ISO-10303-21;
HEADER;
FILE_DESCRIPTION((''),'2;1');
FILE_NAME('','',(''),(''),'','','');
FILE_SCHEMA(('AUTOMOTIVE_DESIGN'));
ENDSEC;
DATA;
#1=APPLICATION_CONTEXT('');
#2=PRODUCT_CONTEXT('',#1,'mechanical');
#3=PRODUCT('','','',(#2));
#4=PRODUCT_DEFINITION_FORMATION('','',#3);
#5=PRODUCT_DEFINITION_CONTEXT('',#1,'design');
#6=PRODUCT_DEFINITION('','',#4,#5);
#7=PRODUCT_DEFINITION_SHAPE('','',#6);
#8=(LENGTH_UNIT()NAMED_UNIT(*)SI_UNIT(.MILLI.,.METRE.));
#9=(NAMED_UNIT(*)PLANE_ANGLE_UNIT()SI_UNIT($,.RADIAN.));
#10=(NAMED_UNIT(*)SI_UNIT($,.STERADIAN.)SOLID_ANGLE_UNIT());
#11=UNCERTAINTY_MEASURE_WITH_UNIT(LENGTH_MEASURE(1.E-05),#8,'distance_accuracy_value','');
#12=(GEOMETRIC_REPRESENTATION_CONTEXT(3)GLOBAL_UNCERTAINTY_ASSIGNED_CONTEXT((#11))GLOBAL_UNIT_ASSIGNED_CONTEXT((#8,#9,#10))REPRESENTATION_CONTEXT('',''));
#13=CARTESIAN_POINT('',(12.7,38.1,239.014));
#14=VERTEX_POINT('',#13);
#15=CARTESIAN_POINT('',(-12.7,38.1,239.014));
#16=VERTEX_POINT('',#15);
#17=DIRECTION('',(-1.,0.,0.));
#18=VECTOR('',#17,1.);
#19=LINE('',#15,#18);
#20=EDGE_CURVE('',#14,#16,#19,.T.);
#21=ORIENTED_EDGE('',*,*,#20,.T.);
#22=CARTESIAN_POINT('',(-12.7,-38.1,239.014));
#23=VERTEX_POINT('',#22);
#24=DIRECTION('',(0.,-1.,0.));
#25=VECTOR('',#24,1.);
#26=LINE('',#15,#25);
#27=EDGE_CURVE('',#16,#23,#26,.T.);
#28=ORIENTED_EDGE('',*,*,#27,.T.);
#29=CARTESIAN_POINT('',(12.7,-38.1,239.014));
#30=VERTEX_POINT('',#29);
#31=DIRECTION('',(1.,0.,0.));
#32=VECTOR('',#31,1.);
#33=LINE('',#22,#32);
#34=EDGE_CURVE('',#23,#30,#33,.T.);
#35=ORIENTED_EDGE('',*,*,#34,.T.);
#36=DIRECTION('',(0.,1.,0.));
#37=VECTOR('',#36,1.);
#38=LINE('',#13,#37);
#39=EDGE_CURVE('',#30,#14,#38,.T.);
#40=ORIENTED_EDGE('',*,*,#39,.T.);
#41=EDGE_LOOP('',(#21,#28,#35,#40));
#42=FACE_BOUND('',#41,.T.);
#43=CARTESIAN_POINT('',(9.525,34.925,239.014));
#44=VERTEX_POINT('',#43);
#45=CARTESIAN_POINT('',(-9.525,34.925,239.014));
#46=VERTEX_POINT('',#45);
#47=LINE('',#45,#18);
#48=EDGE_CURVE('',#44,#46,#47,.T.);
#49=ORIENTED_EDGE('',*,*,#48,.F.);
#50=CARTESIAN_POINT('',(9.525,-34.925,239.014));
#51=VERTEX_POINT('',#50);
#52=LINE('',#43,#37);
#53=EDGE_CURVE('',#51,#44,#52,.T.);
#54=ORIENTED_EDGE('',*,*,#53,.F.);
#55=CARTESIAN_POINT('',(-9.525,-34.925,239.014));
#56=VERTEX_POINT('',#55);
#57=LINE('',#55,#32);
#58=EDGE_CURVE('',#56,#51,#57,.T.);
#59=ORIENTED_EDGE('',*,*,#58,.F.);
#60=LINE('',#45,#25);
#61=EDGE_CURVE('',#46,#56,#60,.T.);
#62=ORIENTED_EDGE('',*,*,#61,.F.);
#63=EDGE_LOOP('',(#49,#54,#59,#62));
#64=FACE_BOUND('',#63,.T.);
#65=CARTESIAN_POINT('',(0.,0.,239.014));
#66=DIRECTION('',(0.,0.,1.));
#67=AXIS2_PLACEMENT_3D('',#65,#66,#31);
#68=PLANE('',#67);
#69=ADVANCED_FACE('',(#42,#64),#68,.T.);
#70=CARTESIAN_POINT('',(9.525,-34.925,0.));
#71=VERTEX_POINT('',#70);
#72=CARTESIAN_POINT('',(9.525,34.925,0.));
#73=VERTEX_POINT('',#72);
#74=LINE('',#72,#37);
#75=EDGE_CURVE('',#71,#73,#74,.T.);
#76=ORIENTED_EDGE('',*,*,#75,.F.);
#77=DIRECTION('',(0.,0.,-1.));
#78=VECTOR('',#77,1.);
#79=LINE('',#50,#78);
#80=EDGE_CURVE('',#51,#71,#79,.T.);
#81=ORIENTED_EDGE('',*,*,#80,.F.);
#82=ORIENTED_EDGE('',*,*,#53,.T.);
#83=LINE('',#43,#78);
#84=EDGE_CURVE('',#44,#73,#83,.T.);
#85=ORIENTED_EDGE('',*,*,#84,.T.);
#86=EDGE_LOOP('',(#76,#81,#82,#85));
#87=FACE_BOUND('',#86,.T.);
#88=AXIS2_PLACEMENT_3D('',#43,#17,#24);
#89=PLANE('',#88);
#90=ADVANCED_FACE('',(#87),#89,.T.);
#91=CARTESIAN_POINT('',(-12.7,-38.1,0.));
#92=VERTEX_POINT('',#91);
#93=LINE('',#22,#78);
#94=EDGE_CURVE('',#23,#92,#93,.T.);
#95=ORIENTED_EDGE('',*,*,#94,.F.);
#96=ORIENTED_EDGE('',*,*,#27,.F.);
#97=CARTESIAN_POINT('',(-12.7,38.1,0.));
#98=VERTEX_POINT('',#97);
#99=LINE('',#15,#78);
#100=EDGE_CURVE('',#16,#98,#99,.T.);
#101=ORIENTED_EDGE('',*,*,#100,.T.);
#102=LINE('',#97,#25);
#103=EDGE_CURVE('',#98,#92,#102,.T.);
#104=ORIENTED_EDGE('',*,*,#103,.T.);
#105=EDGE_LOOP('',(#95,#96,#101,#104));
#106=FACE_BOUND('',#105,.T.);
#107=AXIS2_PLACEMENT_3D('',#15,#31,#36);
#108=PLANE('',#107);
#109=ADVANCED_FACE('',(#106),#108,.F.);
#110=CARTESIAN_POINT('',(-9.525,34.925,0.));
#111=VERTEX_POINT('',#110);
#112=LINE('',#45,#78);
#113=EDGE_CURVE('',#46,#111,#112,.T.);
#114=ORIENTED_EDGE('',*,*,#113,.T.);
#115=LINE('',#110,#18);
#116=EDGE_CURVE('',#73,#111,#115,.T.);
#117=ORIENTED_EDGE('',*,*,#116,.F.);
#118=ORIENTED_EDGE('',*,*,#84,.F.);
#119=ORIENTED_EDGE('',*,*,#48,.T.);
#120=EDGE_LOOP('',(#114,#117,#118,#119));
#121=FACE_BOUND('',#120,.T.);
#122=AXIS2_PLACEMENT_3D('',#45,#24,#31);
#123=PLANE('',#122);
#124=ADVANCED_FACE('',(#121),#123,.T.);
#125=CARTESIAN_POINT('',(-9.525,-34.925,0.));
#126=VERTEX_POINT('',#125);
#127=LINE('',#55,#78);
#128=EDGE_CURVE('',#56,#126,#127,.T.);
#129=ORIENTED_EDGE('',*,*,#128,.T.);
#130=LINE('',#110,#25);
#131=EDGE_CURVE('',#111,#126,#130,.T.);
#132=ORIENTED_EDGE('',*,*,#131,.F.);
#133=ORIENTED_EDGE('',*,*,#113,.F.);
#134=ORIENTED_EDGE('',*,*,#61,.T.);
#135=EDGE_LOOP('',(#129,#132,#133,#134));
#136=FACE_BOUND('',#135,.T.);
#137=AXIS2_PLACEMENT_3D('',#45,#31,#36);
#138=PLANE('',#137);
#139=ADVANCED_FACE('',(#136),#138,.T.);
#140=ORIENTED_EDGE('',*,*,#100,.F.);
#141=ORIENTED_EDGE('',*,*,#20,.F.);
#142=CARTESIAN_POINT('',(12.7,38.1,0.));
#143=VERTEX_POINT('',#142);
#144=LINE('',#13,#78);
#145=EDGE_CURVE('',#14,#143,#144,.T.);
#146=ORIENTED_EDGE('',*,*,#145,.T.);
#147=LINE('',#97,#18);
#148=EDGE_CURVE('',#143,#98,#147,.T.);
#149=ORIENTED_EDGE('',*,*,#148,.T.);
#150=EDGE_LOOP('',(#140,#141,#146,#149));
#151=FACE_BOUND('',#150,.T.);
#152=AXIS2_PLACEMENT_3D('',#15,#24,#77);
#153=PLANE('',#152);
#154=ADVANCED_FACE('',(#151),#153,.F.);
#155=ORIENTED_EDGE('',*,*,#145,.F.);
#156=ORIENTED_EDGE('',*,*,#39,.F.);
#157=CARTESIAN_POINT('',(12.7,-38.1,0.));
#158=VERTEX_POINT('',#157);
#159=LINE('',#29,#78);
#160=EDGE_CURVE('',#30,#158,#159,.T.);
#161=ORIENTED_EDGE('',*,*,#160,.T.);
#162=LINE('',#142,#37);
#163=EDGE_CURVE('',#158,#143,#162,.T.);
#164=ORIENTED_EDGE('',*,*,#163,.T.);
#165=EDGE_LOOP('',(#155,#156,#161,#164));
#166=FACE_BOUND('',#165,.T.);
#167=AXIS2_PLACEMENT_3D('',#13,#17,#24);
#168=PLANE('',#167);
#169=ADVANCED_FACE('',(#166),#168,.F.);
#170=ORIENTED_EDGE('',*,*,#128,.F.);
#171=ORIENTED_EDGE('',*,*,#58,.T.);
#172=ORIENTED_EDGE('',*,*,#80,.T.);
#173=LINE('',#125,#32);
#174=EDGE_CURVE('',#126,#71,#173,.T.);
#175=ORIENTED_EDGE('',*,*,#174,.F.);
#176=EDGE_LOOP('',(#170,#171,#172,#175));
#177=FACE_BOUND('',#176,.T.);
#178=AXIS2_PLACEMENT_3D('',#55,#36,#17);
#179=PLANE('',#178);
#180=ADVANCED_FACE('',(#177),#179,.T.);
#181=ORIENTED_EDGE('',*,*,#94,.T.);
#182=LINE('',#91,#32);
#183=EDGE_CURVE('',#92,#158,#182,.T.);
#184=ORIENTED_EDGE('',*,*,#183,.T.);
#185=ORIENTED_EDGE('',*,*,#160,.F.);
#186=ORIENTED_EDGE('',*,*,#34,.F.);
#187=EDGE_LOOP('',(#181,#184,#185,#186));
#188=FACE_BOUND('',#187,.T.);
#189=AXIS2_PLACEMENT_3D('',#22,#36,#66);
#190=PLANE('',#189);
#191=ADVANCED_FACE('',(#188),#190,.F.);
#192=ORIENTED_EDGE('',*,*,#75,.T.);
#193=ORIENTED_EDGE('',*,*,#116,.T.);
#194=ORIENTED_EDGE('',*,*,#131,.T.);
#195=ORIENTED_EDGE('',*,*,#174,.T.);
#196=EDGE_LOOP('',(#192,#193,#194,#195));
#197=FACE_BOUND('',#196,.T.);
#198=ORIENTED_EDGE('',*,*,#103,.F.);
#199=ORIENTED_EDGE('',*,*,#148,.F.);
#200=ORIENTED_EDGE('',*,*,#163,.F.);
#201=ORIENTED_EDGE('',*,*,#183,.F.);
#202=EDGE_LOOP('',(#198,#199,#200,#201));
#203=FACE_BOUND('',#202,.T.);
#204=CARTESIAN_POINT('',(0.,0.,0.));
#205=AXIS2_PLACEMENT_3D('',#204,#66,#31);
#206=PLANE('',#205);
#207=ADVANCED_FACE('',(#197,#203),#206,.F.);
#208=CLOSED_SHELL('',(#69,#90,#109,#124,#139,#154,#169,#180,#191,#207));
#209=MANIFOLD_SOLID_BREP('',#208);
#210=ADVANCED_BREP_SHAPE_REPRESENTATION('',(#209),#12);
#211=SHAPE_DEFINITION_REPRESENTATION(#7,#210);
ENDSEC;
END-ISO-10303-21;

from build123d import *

# Parameters (mm, degrees)
SKETCH1_W           = 25.4
SKETCH1_H           = 76.2
SKETCH1_W_2         = 19.05
SKETCH1_H_2         = 69.85
BOSS_EXTRUDE1_DEPTH = 239.014


with BuildPart() as part:
    # Sketch1 → Boss-Extrude1 (new body)
    with BuildSketch(Plane.XY):
        Rectangle(SKETCH1_W, SKETCH1_H)
        Rectangle(SKETCH1_W_2, SKETCH1_H_2, mode=Mode.SUBTRACT)
    extrude(amount=BOSS_EXTRUDE1_DEPTH)


solid = part.part
